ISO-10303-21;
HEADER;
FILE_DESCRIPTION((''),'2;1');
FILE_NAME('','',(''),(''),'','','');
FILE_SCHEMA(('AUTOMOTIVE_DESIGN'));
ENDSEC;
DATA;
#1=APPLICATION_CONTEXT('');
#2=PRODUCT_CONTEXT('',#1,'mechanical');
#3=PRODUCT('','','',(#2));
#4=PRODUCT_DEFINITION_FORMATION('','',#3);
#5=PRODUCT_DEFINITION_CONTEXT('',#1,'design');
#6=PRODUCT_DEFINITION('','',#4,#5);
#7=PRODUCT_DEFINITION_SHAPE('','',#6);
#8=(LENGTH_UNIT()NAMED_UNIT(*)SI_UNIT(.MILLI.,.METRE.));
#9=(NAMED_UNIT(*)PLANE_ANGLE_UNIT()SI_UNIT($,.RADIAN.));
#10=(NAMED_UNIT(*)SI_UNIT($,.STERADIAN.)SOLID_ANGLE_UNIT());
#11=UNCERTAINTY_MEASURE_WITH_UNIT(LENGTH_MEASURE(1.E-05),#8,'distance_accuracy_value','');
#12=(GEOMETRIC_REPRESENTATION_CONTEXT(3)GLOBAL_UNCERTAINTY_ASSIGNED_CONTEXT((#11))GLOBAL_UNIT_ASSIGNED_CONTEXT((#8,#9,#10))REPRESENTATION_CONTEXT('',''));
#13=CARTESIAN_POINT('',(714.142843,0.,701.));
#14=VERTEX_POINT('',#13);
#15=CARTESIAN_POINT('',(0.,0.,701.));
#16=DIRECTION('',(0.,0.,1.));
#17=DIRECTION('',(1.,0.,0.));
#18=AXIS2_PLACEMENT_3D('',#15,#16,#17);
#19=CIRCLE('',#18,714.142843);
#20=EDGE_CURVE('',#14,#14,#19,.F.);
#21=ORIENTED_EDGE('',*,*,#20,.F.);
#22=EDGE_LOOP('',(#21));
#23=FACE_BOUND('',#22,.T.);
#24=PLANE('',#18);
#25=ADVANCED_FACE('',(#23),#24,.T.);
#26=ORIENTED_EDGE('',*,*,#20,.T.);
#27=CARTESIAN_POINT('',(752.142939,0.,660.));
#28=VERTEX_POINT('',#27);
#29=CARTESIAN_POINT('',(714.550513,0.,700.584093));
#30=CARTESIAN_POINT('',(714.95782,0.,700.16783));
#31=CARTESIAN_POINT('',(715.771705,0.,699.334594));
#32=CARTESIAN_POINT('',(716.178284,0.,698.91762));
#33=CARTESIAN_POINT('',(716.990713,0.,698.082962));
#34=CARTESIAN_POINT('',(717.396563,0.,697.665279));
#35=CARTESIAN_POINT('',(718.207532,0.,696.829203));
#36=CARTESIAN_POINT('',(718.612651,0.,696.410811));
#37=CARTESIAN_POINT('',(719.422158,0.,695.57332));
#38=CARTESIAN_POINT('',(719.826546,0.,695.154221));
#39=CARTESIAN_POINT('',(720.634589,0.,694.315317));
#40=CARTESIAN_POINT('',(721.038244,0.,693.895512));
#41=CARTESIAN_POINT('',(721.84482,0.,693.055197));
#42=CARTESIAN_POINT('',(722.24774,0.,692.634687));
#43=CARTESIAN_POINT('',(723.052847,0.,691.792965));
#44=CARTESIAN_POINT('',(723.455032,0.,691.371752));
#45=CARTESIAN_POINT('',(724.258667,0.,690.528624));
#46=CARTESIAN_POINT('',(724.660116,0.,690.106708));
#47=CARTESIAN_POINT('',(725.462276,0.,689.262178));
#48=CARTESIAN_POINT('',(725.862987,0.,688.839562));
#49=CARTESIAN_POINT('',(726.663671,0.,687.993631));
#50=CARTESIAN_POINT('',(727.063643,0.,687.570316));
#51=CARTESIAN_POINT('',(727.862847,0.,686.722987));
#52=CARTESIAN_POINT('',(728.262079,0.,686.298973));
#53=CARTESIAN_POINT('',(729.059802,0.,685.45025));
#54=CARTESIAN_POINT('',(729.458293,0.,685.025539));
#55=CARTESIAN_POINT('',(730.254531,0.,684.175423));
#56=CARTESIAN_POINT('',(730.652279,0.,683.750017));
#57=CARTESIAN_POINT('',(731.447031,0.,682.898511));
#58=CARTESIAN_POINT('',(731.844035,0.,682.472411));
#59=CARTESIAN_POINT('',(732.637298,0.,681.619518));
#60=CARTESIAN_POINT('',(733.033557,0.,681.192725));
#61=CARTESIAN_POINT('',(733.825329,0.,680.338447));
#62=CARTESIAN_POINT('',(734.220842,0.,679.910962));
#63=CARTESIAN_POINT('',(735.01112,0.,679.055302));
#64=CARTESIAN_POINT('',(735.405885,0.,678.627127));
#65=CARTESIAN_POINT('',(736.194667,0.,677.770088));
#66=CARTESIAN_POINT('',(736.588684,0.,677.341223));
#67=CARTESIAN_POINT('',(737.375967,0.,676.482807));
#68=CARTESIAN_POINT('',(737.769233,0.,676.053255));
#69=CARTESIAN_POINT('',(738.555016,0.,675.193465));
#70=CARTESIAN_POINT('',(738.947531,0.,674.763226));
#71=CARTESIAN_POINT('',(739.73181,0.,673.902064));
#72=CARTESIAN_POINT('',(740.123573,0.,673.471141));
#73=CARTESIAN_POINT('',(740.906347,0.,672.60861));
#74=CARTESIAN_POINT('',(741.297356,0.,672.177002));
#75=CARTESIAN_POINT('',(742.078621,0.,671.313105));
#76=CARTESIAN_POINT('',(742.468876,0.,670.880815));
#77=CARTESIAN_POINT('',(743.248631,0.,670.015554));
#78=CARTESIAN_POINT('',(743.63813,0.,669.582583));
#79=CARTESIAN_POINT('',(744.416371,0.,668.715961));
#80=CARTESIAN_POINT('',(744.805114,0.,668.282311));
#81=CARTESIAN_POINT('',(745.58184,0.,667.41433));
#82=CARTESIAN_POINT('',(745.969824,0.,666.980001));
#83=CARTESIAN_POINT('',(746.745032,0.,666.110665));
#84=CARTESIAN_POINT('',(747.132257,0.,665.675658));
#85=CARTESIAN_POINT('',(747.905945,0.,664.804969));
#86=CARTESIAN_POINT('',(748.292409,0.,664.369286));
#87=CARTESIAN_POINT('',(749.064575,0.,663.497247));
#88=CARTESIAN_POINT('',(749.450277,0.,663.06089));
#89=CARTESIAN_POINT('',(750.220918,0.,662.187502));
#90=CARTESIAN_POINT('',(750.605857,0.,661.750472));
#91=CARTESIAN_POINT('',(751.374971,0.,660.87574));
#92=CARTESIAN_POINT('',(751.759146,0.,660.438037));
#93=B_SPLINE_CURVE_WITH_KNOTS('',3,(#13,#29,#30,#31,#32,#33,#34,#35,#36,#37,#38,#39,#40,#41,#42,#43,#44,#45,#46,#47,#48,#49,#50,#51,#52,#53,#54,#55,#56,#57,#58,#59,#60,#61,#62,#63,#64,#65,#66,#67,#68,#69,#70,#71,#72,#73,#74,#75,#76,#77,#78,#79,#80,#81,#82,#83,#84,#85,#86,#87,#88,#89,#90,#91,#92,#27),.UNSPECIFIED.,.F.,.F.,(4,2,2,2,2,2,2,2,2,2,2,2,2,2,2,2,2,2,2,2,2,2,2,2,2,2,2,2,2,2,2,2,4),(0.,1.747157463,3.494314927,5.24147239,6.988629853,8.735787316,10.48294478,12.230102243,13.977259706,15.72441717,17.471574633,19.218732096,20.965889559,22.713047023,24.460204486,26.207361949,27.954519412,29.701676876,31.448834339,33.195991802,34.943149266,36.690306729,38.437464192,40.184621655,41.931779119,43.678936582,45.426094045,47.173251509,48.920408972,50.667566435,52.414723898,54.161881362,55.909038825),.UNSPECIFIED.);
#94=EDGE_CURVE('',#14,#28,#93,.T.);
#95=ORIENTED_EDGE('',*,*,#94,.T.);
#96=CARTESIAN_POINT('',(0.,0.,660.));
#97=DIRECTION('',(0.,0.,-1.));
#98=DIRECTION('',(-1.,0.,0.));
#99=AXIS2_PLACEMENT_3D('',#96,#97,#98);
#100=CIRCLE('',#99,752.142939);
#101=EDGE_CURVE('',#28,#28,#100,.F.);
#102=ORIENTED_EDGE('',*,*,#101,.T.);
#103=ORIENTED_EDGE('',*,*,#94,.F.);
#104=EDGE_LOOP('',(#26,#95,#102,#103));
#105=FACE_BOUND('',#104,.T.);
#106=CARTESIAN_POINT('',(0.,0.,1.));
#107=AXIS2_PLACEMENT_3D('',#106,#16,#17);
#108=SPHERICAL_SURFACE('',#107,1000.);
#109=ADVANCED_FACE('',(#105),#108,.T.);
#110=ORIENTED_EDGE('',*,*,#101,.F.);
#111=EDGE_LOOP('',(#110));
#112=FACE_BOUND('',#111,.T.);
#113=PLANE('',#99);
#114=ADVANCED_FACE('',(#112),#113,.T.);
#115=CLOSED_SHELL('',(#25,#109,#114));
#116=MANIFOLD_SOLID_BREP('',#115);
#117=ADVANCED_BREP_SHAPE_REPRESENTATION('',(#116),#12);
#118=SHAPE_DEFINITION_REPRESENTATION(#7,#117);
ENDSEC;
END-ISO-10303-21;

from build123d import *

# Parameters (mm, degrees)
SKETCH1_R           = 1000
BOSS_EXTRUDE2_DEPTH = 1
DOME1_FACE_RADIUS   = 1000
DOME1_HEIGHT        = 1000
CUT_EXTRUDE1_START  = -300
SKETCH2_R           = 1000
CUT_EXTRUDE1_DEPTH  = 300
SKETCH4_R           = 1000
CUT_EXTRUDE2_DEPTH  = 660


with BuildPart() as part:
    # Sketch1 → Boss-Extrude2 (new body)
    with BuildSketch(Plane.XY):
        Circle(SKETCH1_R)
    extrude(amount=BOSS_EXTRUDE2_DEPTH)

    # Dome1: a dome of height H over a round flat face of radius A is a cap of a sphere of radius (A * A + H * H) / (2 * H)
    dome1_r = (DOME1_FACE_RADIUS * DOME1_FACE_RADIUS + DOME1_HEIGHT * DOME1_HEIGHT) / (2 * DOME1_HEIGHT)
    dome1_base = Plane((0, 0, 1), z_dir=(0, 0, 1))
    with Locations(dome1_base.offset(DOME1_HEIGHT - dome1_r)):
        dome1_ball = Sphere(dome1_r, mode=Mode.PRIVATE)
    add(split(dome1_ball, bisect_by=dome1_base, keep=Keep.TOP, mode=Mode.PRIVATE))

    # Sketch2 → Cut-Extrude1 (cut)
    with BuildSketch(Plane.XY.offset(1001).offset(CUT_EXTRUDE1_START)):
        Circle(SKETCH2_R)
    extrude(amount=CUT_EXTRUDE1_DEPTH, mode=Mode.SUBTRACT)

    # Sketch4 → Cut-Extrude2 (cut)
    with BuildSketch(Plane(origin=(0, 0, 0), x_dir=(-1, 0, 0), z_dir=(0, 0, -1))):
        Circle(SKETCH4_R)
    extrude(amount=-CUT_EXTRUDE2_DEPTH, mode=Mode.SUBTRACT)


solid = part.part
